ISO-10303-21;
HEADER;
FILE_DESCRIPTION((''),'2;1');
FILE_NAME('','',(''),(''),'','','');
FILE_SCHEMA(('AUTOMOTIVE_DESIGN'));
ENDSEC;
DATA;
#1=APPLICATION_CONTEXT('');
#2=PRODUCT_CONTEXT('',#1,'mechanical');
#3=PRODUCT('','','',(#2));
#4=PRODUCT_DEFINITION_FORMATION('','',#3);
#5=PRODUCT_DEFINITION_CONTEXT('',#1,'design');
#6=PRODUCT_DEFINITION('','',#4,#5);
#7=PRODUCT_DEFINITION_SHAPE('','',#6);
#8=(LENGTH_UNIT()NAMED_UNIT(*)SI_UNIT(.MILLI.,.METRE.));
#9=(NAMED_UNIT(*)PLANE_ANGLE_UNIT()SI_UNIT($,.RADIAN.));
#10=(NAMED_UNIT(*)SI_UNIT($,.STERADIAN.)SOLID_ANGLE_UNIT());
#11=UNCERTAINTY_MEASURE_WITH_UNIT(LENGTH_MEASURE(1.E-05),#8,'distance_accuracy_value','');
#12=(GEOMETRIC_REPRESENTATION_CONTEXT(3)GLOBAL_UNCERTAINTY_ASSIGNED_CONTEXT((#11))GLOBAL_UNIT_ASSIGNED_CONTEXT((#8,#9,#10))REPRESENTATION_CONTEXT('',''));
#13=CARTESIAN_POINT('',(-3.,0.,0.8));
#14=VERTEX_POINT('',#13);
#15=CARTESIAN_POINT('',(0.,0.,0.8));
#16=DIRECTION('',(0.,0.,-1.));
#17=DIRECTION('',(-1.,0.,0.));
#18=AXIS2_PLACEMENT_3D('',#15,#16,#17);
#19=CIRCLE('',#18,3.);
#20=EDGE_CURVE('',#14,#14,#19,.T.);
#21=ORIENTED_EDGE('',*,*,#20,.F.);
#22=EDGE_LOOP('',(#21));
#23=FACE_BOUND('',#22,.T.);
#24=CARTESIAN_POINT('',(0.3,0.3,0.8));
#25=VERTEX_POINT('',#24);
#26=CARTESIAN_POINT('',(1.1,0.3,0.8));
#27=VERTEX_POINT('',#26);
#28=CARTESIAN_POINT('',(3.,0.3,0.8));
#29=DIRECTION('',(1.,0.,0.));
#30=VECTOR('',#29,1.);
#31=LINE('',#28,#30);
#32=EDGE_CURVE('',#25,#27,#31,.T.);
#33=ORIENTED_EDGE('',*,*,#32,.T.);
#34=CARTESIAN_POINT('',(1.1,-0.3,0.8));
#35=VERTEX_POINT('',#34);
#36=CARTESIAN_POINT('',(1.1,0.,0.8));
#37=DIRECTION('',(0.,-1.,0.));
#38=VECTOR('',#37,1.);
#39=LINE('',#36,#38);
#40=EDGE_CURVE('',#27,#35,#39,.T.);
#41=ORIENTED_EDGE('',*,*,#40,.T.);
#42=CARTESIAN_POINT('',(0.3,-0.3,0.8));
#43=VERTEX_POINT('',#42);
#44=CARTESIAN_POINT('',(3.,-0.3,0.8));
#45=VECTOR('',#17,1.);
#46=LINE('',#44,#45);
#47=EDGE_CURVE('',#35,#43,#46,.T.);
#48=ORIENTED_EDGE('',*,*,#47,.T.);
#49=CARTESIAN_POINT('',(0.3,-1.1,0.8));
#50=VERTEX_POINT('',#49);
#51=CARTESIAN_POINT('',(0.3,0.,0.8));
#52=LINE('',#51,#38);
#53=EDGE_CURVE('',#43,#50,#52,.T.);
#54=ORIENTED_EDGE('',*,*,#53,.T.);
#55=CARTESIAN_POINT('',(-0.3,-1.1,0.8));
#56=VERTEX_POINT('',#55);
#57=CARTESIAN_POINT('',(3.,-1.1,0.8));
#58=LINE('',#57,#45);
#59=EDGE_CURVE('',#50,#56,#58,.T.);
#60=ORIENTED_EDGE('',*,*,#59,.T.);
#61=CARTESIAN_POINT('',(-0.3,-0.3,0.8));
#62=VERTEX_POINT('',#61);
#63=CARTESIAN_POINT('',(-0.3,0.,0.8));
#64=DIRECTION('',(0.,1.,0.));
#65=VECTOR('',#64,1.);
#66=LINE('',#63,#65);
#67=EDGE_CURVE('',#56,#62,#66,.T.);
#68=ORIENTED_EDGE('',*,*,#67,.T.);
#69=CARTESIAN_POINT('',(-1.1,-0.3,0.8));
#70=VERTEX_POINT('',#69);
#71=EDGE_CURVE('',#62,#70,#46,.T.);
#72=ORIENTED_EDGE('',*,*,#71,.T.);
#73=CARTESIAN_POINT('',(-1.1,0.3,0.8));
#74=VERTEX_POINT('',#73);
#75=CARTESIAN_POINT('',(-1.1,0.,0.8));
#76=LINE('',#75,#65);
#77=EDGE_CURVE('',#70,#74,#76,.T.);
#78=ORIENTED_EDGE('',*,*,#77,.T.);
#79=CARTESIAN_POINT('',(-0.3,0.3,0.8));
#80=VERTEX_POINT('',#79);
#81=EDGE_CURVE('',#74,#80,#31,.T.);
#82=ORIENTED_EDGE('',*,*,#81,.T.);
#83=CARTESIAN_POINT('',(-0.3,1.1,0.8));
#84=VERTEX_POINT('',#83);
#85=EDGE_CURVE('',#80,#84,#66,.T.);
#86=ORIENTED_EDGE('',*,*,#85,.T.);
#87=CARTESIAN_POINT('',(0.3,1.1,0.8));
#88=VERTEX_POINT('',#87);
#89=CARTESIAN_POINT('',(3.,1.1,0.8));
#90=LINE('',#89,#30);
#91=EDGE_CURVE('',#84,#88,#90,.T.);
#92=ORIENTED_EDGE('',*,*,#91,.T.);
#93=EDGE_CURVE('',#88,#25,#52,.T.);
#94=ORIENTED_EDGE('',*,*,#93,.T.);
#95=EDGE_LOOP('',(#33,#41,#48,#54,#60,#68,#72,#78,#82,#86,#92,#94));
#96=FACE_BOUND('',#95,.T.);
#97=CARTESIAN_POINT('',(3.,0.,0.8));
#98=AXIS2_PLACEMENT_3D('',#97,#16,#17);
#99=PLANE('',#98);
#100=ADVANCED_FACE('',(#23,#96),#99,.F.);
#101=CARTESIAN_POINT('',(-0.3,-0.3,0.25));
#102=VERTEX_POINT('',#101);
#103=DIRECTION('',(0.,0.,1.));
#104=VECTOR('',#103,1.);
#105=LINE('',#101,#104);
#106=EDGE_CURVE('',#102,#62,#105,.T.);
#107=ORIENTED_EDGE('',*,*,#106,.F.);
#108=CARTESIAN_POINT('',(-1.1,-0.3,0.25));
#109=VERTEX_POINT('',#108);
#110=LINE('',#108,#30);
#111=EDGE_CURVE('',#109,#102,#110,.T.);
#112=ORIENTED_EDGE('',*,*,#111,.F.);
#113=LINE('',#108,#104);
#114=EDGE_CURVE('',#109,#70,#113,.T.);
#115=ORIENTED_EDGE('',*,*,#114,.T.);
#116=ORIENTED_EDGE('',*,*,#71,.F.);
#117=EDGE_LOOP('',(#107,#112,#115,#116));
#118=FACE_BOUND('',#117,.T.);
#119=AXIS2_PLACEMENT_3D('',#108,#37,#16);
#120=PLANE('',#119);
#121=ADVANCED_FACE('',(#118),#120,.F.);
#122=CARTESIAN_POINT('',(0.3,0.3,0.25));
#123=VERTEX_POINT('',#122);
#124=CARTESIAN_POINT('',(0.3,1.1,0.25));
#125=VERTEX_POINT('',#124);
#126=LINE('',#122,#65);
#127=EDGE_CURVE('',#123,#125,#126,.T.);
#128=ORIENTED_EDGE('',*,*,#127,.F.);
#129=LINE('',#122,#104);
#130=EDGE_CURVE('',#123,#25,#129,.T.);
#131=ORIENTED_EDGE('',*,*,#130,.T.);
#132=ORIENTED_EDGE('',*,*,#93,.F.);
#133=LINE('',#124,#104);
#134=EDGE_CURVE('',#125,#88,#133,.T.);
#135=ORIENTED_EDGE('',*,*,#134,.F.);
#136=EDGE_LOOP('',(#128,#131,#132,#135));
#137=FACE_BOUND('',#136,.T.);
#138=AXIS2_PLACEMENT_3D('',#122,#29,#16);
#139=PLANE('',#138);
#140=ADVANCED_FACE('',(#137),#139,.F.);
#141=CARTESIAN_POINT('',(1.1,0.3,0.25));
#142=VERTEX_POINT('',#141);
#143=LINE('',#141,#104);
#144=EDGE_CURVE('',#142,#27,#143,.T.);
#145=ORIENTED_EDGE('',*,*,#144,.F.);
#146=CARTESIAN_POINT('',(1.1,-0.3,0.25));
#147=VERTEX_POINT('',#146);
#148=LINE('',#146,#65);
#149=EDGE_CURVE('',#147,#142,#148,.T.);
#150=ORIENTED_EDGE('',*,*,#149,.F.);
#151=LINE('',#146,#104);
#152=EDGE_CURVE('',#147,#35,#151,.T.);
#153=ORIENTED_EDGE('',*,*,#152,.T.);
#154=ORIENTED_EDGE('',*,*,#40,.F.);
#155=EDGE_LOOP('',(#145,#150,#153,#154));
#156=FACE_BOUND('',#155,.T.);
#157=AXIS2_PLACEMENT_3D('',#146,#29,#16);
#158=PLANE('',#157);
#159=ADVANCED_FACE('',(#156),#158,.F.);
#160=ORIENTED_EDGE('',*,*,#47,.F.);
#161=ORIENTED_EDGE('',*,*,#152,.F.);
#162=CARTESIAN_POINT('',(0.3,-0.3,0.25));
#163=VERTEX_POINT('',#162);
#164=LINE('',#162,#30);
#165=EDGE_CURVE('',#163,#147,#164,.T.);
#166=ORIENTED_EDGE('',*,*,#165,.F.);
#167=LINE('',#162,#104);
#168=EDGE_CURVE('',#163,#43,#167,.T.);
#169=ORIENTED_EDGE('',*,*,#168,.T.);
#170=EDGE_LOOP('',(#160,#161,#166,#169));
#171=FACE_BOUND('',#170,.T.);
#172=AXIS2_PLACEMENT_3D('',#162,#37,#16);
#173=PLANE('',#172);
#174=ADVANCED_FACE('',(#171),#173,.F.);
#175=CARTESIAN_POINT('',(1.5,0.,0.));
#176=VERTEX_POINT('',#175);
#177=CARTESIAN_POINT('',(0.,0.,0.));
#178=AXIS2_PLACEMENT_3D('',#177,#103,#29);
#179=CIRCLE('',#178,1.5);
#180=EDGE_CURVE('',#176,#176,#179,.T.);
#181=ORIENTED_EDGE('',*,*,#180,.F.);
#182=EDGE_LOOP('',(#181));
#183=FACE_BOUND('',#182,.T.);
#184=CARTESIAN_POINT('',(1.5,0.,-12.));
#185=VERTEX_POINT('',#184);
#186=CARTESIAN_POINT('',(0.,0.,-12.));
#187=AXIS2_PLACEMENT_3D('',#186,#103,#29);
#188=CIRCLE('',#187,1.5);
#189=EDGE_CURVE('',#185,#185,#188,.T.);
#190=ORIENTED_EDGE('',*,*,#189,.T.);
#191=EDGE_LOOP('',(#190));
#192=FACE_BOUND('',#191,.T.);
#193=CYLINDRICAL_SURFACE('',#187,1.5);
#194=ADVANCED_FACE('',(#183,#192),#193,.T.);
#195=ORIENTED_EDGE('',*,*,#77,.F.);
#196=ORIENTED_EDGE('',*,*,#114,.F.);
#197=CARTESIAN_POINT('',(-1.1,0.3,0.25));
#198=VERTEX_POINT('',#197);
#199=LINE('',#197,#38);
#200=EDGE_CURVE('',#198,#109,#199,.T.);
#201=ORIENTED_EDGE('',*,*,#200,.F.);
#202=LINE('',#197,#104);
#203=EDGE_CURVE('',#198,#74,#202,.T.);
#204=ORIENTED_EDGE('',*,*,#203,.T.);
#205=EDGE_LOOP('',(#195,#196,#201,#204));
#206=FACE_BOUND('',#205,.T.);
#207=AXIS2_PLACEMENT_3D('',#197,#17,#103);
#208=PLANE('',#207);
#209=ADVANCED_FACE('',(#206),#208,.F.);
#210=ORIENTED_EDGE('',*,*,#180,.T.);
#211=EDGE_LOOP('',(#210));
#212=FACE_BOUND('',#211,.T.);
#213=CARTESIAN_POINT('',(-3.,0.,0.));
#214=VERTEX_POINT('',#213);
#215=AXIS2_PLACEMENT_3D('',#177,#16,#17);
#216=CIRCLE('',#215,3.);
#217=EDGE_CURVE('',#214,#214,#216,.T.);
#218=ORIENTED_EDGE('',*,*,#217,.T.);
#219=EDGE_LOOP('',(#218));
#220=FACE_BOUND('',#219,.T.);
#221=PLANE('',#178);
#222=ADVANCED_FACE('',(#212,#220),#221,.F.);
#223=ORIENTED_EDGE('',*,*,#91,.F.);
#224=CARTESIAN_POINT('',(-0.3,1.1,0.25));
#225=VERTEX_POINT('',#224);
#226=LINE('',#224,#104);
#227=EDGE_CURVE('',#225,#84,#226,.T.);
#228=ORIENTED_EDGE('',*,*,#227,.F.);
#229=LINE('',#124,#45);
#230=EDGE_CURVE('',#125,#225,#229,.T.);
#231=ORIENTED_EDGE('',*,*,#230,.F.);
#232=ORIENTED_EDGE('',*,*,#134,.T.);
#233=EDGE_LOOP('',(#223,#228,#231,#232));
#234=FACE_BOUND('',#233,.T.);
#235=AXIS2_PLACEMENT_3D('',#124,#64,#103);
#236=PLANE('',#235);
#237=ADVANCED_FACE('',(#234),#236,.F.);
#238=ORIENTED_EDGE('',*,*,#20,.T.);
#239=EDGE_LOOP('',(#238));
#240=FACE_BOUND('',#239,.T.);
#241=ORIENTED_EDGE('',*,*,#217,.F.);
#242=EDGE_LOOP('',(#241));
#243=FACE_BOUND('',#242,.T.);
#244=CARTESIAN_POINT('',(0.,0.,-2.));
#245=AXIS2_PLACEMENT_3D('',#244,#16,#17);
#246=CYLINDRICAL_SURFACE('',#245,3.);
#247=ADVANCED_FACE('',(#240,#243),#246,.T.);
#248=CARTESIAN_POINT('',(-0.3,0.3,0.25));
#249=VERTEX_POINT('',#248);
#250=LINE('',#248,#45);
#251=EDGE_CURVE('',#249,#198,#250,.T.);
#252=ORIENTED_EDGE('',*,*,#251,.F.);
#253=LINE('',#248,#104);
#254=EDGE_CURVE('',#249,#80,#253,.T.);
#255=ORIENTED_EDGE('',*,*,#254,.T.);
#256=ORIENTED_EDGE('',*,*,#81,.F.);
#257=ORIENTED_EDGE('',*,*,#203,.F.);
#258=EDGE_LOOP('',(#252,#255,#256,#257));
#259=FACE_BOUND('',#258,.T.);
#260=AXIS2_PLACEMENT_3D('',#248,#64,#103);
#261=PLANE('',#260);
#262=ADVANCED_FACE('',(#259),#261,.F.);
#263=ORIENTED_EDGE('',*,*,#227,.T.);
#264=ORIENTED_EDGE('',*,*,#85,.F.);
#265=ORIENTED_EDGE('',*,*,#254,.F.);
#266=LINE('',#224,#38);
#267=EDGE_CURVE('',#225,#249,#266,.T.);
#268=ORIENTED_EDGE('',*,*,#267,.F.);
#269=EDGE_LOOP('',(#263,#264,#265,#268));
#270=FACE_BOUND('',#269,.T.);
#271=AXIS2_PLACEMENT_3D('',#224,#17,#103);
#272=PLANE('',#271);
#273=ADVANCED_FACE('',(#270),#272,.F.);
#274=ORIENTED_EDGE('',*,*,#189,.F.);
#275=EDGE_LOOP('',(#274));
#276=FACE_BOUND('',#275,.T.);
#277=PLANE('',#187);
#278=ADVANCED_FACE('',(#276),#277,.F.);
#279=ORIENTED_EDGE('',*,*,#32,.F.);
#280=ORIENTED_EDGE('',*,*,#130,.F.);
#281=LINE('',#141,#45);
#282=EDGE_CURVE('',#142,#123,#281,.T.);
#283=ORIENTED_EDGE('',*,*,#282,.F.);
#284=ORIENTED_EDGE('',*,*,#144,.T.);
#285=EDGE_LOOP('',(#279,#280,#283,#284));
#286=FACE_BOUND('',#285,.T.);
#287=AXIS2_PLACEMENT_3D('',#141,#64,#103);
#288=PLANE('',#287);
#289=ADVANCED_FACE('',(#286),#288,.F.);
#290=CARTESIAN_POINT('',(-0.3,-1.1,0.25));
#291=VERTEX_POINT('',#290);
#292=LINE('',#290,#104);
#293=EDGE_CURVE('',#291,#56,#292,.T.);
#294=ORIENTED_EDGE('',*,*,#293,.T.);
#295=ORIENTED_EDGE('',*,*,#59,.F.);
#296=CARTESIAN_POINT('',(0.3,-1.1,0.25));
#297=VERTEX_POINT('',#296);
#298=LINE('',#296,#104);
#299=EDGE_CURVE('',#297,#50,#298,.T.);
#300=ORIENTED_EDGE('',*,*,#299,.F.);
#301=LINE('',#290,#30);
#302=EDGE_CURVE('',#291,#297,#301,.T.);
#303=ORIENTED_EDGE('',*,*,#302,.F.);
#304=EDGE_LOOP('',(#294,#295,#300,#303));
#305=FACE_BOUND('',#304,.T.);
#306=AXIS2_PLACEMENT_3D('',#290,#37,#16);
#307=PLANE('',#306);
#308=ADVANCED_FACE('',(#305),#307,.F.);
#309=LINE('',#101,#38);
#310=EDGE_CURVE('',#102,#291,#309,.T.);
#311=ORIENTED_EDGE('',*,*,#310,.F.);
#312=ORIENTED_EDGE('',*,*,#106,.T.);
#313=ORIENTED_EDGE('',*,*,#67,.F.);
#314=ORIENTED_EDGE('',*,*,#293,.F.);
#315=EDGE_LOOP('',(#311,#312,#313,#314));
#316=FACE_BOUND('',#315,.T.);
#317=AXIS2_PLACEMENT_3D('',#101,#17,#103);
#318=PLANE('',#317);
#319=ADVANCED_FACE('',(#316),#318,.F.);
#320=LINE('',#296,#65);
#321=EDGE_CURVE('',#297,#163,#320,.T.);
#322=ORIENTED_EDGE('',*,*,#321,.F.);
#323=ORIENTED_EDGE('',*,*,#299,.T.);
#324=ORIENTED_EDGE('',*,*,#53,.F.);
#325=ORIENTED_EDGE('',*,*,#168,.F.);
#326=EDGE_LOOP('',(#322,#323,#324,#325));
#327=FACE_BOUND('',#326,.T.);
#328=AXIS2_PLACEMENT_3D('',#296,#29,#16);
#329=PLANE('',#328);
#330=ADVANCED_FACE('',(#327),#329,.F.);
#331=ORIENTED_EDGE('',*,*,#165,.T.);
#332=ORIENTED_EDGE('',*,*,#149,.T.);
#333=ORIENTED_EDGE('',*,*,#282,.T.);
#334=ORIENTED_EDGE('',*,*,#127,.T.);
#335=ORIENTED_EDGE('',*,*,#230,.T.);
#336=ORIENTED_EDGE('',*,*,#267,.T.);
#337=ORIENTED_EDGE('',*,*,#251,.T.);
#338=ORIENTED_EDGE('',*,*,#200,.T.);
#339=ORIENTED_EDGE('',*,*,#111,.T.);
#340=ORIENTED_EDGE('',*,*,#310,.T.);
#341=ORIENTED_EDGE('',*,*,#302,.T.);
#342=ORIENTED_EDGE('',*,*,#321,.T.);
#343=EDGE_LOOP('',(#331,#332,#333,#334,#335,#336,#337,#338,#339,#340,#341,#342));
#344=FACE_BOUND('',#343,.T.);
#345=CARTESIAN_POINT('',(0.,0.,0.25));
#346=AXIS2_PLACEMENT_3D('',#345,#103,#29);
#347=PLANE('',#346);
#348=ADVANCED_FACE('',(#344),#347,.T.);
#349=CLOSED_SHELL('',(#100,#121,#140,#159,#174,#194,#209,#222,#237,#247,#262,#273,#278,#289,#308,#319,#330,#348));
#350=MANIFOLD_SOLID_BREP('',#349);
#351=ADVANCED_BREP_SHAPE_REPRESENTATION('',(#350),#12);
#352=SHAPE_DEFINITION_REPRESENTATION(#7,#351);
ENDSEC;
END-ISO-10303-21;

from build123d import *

# Parameters (mm, degrees)
SKETCH_1_R        = 1.5
EXTRUDE_198_DEPTH = 12
SKETCH_6_W        = 3
SKETCH_6_H        = 0.8
PH1_START         = 0.81
PH1_DEPTH         = 0.56


with BuildPart() as part:
    # 草图1 → Extrude 198 (new body)
    with BuildSketch(Plane.XY):
        Circle(SKETCH_1_R)
    extrude(amount=-EXTRUDE_198_DEPTH)

    # 草图6 → Revolve 324 (revolve)
    with BuildSketch(Plane(origin=(0, 0, 0), x_dir=(1, 0, 0), z_dir=(0, 1, 0)), mode=Mode.PRIVATE) as revolve_324_sk:
        with Locations((1.5, -0.4)):
            Rectangle(SKETCH_6_W, SKETCH_6_H)
    revolve(revolve_324_sk.sketch.rotate(Axis((0, 0, -2), (0, 0, 1)), 180), axis=Axis((0, 0, -2), (0, 0, 1)))

    # 草图7 → 十字槽_PH1_简化 (cut)
    with BuildSketch(Plane.XY.offset(PH1_START)):
        Polygon((-0.3, -1.1), (0.3, -1.1), (0.3, -0.3), (1.1, -0.3), (1.1, 0.3), (0.3, 0.3), (0.3, 1.1), (-0.3, 1.1), (-0.3, 0.3), (-1.1, 0.3), (-1.1, -0.3), (-0.3, -0.3), align=None)
    extrude(amount=-PH1_DEPTH, mode=Mode.SUBTRACT)


solid = part.part
